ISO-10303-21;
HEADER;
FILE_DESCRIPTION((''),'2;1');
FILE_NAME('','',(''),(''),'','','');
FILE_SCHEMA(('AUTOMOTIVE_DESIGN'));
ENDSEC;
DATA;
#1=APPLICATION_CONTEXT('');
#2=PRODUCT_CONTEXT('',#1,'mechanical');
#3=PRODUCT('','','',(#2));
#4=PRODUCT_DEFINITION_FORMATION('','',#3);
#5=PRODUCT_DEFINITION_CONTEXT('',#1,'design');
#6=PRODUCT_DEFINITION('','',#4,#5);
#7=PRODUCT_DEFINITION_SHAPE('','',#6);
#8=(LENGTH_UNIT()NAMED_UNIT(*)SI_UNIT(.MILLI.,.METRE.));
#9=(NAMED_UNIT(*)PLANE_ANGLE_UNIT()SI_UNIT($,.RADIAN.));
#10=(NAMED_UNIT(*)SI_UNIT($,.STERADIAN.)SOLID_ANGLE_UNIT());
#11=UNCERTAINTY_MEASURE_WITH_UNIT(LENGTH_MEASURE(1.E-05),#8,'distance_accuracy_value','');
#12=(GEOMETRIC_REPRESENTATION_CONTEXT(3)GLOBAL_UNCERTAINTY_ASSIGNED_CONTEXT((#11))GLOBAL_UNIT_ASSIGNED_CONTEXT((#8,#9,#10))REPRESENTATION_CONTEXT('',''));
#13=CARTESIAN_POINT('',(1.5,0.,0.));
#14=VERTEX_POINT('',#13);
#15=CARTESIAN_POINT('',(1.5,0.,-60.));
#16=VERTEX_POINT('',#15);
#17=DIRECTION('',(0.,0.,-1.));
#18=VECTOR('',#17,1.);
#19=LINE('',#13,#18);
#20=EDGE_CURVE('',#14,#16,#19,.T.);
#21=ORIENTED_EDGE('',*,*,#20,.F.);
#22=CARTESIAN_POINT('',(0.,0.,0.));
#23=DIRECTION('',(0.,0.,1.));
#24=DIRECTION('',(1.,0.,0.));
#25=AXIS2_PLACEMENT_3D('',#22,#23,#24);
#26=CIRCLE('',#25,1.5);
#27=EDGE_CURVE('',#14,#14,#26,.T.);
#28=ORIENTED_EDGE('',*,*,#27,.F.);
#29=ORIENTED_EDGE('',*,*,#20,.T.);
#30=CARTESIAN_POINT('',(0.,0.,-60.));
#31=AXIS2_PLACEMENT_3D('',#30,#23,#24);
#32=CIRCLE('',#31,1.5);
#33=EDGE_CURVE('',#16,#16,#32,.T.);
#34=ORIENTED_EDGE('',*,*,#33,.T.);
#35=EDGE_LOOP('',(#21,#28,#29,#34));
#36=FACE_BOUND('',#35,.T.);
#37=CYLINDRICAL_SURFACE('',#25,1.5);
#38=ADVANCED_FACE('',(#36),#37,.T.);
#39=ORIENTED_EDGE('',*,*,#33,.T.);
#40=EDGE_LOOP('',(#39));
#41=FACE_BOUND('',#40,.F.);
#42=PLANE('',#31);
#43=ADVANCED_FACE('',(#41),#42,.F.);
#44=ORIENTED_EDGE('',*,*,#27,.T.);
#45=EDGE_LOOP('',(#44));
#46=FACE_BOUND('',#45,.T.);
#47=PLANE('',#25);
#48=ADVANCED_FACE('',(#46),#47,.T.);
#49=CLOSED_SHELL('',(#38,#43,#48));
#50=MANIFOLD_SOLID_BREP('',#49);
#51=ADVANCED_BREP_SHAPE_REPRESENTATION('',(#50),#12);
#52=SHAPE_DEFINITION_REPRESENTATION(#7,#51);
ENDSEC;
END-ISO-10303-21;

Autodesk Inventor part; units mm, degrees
ref_plane "YZ Plane" through (0, 0, 0) normal (1, 0, 0) x (0, 1, 0)
ref_plane "XZ Plane" through (0, 0, 0) normal (0, 1, 0) x (-1, 0, 0)
ref_plane "XY Plane" through (0, 0, 0) normal (0, 0, 1) x (1, 0, 0)
sketch "Boceto1" plane through (0, 0, 0) normal (0, 0, 1) x (1, 0, 0)
  circle A0 centre (0, 0) radius 1.5
  dimension "d0" = 3
extrude "Extrusión1" add sketch "Boceto1" against normal blind 60
properties part number "Eix Torre Pont Definitiu"
